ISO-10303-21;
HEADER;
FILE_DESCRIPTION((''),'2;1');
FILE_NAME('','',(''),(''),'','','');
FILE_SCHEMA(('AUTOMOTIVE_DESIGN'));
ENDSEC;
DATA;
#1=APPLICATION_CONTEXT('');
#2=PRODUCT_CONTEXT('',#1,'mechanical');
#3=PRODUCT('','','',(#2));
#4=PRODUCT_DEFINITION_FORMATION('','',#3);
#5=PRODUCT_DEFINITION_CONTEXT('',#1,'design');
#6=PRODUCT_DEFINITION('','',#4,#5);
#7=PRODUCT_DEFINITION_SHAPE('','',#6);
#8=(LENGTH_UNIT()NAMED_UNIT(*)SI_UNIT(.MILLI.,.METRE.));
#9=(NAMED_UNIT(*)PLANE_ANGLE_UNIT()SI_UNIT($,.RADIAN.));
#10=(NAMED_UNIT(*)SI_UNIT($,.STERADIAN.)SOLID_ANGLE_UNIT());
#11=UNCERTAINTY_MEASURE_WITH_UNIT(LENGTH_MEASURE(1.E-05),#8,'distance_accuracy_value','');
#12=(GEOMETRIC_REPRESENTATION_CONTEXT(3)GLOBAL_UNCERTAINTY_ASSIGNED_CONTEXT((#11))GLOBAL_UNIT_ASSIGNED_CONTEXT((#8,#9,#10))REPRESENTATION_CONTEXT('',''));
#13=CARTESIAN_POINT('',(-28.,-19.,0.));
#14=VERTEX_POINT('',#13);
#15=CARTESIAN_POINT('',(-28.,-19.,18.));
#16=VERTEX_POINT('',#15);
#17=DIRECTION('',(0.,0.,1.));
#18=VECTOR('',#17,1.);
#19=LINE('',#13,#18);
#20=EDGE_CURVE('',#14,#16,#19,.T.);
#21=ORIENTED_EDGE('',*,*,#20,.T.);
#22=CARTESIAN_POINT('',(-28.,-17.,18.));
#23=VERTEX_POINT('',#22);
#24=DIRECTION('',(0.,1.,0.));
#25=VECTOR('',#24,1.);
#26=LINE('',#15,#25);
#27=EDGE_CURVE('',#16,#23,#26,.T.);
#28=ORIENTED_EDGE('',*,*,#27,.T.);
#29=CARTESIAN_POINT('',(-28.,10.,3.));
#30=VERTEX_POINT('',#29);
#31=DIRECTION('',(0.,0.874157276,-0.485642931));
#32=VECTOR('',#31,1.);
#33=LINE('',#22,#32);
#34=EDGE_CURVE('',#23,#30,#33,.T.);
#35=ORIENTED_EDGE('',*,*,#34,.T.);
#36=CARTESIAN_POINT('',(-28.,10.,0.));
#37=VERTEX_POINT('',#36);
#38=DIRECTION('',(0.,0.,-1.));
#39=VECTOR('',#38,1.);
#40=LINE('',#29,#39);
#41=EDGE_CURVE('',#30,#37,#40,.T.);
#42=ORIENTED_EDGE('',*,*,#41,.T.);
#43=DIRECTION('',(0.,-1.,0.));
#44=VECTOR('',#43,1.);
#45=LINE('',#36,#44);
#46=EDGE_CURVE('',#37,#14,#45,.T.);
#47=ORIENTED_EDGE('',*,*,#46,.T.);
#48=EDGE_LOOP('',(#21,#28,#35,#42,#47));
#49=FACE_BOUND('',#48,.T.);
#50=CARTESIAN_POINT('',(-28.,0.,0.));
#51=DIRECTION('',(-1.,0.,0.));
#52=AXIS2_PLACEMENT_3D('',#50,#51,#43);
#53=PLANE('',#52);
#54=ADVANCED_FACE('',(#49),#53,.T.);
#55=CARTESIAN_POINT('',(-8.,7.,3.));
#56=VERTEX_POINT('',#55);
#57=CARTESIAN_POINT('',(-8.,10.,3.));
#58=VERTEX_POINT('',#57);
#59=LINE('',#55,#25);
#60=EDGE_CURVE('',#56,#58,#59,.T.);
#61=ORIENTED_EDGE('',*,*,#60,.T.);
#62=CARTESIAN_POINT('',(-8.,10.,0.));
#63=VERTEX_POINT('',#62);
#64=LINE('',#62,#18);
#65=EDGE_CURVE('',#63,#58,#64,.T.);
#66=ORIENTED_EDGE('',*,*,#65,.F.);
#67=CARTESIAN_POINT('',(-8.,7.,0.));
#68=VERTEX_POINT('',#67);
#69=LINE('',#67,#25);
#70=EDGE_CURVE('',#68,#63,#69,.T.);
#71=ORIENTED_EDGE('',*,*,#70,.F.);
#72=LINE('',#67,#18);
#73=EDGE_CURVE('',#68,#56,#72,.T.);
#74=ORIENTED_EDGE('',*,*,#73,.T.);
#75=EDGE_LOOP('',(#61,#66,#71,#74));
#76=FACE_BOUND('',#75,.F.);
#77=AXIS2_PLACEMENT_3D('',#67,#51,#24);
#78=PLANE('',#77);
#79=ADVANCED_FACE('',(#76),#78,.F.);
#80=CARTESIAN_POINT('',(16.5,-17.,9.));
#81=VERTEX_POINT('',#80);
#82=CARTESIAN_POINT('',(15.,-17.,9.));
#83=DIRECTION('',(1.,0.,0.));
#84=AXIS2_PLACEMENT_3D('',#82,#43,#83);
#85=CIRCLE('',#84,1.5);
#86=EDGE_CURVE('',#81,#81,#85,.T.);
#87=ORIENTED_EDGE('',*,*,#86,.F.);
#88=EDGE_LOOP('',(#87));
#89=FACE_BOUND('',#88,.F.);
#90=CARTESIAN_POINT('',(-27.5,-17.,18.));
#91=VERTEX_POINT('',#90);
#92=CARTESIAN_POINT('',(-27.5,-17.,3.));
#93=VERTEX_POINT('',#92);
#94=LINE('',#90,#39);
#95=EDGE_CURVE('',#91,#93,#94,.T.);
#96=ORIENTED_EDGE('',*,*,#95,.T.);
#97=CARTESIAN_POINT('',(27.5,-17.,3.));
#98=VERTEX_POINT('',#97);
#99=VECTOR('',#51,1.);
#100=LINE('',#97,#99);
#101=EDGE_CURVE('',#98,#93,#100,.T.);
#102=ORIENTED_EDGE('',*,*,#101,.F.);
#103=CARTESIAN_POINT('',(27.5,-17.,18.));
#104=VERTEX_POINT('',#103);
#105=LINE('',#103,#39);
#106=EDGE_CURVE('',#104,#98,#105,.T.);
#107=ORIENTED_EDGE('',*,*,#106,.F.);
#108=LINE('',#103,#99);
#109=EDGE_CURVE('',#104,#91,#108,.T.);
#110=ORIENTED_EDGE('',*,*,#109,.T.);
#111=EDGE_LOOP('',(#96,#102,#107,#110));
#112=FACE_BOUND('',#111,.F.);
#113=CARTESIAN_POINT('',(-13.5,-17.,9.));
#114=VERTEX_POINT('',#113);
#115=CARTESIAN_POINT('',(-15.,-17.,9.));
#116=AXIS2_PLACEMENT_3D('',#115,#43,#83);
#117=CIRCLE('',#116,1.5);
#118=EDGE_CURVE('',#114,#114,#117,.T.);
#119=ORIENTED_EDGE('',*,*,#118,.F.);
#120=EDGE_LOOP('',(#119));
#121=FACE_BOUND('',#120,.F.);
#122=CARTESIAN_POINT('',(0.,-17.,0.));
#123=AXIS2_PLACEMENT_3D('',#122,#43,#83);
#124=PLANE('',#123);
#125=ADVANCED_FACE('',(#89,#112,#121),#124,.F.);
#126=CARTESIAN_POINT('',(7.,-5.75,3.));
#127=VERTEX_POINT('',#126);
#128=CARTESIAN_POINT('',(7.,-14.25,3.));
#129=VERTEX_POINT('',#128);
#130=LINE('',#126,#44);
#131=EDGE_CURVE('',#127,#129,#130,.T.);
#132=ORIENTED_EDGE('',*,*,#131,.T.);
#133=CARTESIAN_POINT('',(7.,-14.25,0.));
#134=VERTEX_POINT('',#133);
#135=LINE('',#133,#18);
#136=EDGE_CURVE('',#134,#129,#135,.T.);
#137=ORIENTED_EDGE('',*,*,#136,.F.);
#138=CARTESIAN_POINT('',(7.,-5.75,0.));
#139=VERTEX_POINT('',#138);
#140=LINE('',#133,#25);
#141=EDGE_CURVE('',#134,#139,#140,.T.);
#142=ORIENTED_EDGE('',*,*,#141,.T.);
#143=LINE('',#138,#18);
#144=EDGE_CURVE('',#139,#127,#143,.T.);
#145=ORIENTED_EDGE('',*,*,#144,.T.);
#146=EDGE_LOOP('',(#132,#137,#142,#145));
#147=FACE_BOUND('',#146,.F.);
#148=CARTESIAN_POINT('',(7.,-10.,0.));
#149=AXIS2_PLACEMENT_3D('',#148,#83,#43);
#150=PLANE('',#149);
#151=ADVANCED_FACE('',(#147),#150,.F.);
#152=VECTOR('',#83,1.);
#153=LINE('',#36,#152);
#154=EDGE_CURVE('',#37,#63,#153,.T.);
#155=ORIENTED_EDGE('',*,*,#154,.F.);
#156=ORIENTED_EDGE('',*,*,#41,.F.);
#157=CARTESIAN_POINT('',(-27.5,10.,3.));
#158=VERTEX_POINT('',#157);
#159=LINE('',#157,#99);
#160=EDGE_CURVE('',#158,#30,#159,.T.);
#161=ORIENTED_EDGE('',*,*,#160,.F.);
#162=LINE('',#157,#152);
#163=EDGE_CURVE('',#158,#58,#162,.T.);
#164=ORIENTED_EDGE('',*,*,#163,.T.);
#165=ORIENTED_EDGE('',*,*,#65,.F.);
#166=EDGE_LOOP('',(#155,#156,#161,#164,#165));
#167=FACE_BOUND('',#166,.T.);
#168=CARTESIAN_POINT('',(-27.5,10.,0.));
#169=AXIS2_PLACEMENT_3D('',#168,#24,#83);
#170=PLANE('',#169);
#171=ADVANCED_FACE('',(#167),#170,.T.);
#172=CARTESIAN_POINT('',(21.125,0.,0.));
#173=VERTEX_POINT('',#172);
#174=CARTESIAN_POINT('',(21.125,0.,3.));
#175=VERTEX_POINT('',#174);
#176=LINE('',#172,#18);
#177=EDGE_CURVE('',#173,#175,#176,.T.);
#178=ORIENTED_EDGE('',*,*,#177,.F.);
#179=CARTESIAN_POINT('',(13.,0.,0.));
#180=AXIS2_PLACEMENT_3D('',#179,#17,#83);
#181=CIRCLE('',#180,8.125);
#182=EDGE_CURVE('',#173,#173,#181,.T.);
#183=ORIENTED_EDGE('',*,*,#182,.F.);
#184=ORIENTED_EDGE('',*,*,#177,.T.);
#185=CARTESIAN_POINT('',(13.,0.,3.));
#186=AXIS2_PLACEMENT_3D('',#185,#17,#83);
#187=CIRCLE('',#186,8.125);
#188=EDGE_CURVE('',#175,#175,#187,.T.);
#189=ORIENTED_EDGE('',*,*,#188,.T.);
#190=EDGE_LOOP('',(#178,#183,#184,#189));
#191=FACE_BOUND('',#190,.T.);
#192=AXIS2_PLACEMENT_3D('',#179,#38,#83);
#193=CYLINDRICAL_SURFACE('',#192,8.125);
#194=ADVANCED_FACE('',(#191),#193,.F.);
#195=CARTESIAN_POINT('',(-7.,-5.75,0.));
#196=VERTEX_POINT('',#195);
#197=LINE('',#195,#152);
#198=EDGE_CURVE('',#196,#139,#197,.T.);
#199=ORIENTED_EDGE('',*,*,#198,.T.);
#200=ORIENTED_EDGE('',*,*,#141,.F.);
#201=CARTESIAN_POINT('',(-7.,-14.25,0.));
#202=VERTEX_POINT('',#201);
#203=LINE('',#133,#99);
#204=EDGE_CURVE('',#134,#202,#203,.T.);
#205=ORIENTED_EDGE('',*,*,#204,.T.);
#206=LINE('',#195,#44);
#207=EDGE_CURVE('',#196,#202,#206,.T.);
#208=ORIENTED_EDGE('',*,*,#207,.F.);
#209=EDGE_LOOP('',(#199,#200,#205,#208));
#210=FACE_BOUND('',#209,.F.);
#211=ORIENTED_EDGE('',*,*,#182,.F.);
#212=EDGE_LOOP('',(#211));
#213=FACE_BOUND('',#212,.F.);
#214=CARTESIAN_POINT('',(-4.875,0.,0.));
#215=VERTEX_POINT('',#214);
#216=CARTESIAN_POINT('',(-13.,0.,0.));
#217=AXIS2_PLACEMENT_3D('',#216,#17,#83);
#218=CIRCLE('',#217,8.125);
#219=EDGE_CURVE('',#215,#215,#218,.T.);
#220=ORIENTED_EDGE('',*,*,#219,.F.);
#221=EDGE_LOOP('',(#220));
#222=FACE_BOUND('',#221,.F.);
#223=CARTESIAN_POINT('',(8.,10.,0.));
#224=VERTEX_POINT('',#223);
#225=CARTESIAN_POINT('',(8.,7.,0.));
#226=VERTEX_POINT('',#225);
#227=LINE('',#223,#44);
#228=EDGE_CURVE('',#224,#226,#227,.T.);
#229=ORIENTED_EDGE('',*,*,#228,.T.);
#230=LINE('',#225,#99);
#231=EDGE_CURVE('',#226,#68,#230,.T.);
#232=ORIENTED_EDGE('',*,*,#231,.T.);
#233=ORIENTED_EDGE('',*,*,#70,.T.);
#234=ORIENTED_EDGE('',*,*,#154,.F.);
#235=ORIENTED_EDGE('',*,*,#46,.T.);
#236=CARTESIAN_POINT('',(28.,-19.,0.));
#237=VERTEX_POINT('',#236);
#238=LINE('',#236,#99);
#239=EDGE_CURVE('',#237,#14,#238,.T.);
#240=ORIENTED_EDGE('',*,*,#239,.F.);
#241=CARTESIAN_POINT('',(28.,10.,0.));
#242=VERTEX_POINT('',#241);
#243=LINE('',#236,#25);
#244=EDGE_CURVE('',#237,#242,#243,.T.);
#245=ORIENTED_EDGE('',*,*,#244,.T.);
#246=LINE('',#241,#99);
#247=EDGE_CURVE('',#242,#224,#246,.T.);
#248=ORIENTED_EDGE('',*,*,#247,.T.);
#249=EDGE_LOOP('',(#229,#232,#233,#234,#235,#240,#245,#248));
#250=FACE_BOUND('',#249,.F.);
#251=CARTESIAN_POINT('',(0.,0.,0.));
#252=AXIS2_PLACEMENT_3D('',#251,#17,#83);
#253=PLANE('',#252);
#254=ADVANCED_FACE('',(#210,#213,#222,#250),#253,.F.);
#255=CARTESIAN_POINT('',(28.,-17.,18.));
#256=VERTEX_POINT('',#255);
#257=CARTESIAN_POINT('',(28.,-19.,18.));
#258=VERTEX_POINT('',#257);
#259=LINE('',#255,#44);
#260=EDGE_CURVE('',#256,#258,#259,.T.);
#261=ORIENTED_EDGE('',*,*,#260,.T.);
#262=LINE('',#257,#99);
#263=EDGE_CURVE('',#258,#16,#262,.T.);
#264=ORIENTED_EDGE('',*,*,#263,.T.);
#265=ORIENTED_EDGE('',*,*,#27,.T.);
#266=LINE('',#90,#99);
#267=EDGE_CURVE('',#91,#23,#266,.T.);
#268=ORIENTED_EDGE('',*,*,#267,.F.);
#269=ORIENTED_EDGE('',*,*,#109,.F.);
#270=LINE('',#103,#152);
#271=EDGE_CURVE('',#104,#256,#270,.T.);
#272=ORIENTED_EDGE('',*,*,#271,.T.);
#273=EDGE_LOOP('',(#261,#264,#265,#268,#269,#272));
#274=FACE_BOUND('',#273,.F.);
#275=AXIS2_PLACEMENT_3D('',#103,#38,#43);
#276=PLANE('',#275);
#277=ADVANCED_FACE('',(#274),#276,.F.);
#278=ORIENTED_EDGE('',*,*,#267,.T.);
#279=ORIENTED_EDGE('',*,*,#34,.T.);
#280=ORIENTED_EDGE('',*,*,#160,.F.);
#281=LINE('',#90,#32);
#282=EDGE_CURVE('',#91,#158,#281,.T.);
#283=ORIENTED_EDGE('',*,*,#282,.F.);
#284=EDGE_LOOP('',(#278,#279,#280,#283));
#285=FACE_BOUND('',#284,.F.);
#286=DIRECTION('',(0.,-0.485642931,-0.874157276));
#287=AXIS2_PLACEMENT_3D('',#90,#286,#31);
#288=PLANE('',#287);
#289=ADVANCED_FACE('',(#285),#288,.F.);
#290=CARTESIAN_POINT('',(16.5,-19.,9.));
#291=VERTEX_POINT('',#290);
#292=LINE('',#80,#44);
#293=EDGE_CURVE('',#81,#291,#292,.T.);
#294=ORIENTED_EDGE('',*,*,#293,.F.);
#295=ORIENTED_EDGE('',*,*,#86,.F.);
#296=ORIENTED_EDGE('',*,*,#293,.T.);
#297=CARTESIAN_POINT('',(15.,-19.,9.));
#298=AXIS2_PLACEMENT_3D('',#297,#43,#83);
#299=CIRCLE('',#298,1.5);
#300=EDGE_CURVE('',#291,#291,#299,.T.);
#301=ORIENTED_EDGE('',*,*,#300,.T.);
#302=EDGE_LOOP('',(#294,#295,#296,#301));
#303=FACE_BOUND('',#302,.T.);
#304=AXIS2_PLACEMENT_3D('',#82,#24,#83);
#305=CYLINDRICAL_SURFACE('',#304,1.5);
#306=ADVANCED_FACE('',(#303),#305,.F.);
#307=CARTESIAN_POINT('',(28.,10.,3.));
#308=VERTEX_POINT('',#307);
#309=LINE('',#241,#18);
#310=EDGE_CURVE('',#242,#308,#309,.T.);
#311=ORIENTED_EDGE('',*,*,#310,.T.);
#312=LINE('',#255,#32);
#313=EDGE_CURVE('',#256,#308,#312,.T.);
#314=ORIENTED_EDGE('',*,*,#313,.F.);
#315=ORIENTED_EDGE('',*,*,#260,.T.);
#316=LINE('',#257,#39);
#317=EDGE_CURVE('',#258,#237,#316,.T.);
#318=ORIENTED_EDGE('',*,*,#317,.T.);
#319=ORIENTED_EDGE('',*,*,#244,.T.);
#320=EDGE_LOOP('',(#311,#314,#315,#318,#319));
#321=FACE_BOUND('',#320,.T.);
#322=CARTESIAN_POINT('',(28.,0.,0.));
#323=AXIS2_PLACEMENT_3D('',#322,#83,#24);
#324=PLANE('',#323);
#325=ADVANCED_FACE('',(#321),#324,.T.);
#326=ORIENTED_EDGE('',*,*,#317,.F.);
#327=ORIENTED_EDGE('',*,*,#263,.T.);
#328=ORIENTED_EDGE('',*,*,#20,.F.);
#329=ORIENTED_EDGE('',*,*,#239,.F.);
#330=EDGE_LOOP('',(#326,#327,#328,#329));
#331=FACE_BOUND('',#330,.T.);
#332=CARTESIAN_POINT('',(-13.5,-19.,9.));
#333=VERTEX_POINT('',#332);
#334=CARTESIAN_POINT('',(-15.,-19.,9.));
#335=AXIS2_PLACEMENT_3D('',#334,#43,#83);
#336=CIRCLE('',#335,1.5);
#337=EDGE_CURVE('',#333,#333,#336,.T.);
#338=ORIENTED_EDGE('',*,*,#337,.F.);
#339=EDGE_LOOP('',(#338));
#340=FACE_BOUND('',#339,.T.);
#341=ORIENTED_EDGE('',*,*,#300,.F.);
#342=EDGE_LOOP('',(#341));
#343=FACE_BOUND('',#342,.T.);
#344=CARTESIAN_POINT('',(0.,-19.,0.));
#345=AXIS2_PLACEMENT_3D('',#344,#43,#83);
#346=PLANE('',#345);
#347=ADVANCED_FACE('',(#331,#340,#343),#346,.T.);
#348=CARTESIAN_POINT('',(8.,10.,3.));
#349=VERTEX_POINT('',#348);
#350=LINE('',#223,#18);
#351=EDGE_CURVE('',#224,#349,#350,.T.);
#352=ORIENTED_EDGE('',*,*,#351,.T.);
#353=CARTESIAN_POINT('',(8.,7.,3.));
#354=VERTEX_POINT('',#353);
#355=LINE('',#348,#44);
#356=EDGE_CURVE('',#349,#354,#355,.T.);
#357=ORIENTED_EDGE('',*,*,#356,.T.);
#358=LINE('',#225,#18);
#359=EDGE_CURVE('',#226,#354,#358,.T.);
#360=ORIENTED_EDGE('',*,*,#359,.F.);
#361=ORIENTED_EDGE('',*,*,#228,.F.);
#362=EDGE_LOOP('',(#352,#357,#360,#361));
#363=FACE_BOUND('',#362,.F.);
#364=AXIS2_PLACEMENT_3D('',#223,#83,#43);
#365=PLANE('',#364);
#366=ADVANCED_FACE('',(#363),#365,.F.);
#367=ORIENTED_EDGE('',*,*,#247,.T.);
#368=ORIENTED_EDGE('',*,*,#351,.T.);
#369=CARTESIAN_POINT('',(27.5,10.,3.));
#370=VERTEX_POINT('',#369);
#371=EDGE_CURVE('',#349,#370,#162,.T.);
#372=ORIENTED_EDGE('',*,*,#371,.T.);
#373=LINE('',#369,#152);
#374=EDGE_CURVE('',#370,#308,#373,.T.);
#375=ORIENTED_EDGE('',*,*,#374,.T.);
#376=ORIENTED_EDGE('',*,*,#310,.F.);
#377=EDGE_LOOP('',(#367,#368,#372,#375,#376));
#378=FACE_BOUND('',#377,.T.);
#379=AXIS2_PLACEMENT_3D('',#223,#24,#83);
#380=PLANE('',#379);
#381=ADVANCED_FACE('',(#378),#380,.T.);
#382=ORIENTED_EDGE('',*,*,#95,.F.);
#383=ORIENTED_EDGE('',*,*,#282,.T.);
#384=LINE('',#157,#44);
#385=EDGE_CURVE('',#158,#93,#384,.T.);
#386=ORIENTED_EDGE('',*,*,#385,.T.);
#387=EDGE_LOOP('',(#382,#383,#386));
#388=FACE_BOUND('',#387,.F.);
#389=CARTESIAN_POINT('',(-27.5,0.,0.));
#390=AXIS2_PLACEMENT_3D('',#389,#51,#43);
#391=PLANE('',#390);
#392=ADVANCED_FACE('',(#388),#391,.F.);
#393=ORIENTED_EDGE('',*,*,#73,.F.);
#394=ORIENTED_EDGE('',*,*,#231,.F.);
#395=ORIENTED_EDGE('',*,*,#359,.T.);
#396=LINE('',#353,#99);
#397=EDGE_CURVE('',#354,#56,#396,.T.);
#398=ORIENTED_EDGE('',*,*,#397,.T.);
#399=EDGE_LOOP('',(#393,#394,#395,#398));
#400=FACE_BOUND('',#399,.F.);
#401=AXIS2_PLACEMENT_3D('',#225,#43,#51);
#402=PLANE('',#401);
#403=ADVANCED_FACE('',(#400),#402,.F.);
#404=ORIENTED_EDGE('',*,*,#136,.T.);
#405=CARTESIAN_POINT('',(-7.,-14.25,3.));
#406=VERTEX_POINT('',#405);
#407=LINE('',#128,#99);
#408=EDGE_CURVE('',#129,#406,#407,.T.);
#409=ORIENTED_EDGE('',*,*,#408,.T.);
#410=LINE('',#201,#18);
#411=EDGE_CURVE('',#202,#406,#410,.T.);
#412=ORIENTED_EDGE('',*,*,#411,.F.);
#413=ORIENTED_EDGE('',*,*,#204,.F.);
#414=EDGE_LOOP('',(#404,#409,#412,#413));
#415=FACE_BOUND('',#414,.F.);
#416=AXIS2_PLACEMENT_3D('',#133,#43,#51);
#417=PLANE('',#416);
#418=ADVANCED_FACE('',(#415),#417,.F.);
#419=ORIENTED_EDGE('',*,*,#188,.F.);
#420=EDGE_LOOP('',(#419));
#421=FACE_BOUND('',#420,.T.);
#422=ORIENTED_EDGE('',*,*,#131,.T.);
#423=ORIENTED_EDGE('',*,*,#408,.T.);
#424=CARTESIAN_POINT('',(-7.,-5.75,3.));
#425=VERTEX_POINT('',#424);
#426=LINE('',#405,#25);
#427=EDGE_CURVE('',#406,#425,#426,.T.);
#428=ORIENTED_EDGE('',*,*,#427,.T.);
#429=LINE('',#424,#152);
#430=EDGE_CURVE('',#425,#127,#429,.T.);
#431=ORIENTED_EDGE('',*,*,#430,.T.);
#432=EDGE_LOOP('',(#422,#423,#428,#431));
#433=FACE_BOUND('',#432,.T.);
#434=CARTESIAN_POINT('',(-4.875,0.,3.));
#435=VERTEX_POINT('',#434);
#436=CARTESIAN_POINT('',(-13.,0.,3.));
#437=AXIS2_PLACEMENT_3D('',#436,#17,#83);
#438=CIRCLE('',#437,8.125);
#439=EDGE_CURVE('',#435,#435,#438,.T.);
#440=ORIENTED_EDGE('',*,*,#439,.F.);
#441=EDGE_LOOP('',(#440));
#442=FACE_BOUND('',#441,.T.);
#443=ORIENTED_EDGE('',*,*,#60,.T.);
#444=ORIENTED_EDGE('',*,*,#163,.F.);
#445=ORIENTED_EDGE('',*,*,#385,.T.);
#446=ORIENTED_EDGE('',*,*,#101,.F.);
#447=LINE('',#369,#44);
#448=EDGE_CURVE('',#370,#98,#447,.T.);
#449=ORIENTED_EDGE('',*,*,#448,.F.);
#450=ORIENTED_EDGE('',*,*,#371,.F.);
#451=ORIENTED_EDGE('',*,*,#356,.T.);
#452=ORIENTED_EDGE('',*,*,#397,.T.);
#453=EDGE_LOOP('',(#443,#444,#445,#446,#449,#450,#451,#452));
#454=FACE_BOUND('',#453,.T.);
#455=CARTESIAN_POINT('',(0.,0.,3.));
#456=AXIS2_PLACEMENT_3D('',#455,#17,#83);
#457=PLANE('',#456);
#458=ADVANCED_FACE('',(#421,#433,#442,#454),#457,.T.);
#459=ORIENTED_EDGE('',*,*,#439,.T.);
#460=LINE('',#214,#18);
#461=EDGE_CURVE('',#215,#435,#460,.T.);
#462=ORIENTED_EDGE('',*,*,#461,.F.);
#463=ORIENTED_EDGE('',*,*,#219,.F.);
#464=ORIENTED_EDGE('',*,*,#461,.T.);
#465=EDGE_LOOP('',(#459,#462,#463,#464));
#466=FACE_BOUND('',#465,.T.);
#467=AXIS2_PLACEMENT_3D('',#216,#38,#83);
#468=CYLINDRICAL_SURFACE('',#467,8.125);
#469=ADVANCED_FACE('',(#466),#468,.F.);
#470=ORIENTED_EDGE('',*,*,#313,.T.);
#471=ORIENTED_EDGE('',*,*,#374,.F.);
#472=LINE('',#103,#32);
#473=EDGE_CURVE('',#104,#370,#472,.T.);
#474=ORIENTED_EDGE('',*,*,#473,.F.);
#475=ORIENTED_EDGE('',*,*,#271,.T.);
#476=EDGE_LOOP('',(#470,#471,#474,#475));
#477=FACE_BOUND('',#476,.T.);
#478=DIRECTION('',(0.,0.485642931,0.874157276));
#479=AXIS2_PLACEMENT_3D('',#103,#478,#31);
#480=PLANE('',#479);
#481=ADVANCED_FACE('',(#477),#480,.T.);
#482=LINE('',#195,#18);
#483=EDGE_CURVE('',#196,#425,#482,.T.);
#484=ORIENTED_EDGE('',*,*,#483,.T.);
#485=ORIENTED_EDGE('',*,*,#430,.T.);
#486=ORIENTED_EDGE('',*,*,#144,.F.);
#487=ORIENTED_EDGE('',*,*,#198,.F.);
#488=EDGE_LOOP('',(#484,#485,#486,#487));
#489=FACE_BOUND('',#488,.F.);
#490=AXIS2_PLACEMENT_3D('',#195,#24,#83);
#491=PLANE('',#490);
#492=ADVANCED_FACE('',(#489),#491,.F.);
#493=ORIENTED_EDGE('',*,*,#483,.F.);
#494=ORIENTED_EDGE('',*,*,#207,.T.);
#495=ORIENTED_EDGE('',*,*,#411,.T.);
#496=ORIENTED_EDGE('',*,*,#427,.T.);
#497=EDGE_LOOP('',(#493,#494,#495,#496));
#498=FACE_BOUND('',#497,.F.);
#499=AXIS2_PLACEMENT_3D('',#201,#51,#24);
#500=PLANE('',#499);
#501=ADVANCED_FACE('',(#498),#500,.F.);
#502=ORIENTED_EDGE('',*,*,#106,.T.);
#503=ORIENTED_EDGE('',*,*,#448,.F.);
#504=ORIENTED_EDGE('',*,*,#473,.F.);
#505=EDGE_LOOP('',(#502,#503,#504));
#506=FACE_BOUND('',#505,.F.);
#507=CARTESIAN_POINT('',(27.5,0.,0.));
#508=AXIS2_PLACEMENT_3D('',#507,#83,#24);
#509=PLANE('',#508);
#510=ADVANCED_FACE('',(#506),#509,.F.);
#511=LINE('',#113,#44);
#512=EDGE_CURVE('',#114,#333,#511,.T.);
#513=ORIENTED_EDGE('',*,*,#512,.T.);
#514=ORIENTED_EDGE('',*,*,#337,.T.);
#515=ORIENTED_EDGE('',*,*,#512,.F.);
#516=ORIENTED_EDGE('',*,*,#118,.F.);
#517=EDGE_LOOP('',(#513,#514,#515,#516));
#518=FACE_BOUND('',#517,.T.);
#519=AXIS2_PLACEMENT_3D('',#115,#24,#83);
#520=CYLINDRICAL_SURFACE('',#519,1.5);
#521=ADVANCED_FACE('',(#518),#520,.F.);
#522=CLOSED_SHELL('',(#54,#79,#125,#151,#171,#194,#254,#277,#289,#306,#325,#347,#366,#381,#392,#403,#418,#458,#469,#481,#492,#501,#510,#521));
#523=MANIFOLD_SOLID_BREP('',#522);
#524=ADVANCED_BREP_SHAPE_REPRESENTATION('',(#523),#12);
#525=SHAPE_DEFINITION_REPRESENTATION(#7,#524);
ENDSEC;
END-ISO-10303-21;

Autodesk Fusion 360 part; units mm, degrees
sketch "Sketch1" plane through (0, 0, 0) normal (0, 0, 1) x (1, 0, 0)
  line L0 (27.5, -10) -> (-27.5, -10)
  line L1 (-27.5, -10) -> (-27.5, 10)
  line L2 (-27.5, 10) -> (27.5, 10)
  line L3 (27.5, 10) -> (27.5, -10)
  line L4 (27.5, -10) -> (-27.5, 10) construction
  line L5 (-27.5, -10) -> (27.5, 10) construction
  line L6 (0, 0) -> (13, 0) construction
  line L7 (0, 0) -> (-13, 0) construction
  circle A0 centre (13, 0) radius 8.125
  circle A1 centre (-13, 0) radius 8.125
  line L8 (-27.5, -10) -> (27.5, -10)
  line L9 (27.5, -10) -> (27.5, -17)
  line L10 (27.5, -17) -> (-27.5, -17)
  line L11 (-27.5, -17) -> (-27.5, -10)
  line L12 (0, 10) -> (-8, 10)
  line L13 (-8, 10) -> (8, 10)
  line L14 (8, 10) -> (8, 7)
  line L15 (8, 7) -> (-8, 7)
  line L16 (-8, 7) -> (-8, 10)
  line L17 (-7, -5.75) -> (7, -5.75)
  line L18 (7, -5.75) -> (7, -14.25)
  line L19 (7, -14.25) -> (-7, -14.25)
  line L20 (-7, -14.25) -> (-7, -5.75)
  line L21 (-7, -5.75) -> (7, -14.25) construction
  line L22 (7, -5.75) -> (-7, -14.25) construction
  point P0 (0, -10)
  dimension "d1" = 55
  dimension "d2" = 20
  dimension "d3" = 13
  dimension "d4" = 13
  dimension "d5" = 16.25
  dimension "d6" = 16.25
  dimension "d7" = 7
  dimension "d8" = 8
  dimension "d9" = 16
  dimension "d10" = 3
  dimension "d11" = 14
  dimension "d12" = 8.5
extrude "Extrude1" add sketch "Sketch1" along normal blind 3 contours L0 L8 L9 L10 L11 L18 L19 L20 | L0 L1 L2 L3 L8 L14 L15 L16 L17 L18 L20
sketch "Sketch2" plane through (0, -17, 0) normal (0, -1, 0) x (1, 0, 0)
  line L0 (-27.5, 0) -> (27.5, 0)
  line L1 (27.5, 0) -> (27.5, 3)
  line L2 (27.5, 3) -> (-27.5, 3)
  line L3 (-27.5, 3) -> (-27.5, 0)
  line L4 (-27.5, 0) -> (27.5, 0)
  line L5 (27.5, 0) -> (27.5, 18)
  line L6 (27.5, 18) -> (-27.5, 18)
  line L7 (-27.5, 18) -> (-27.5, 0)
  line L8 (-27.5, 18) -> (27.5, 0) construction
  line L9 (-27.5, 0) -> (27.5, 18) construction
  line L10 (0, 9) -> (15, 9) construction
  line L11 (0, 9) -> (-15, 9) construction
  circle A0 centre (15, 9) radius 1.5
  circle A1 centre (-15, 9) radius 1.5
  dimension "d15" = 55
  dimension "d16" = 18
  dimension "d17" = 15
  dimension "d18" = 15
  dimension "d19" = 3
  dimension "d20" = 3
extrude "Extrude2" add sketch "Sketch2" along normal blind 2
sketch "Sketch3" plane through (-27.5, 0, 0) normal (-1, 0, 0) x (0, -1, 0)
  line L0 (-10, 0) -> (19, 0)
  line L1 (19, 0) -> (19, 18)
  line L2 (19, 18) -> (17, 18)
  line L3 (17, 18) -> (17, 3)
  line L4 (17, 3) -> (-10, 3)
  line L5 (-10, 3) -> (-10, 0)
  line L6 (17, 18) -> (-10, 3)
extrude "Extrude3" add sketch "Sketch3" along normal blind 0.5
sketch "Sketch4" plane through (27.5, 0, 0) normal (1, 0, 0) x (0, 1, 0)
  line L0 (-19, 0) -> (10, 0)
  line L1 (10, 0) -> (10, 3)
  line L2 (10, 3) -> (-17, 3)
  line L3 (-17, 3) -> (-17, 18)
  line L4 (-17, 18) -> (-19, 18)
  line L5 (-19, 18) -> (-19, 0)
  line L6 (-17, 18) -> (10, 3)
extrude "Extrude4" add sketch "Sketch4" along normal blind 0.5
